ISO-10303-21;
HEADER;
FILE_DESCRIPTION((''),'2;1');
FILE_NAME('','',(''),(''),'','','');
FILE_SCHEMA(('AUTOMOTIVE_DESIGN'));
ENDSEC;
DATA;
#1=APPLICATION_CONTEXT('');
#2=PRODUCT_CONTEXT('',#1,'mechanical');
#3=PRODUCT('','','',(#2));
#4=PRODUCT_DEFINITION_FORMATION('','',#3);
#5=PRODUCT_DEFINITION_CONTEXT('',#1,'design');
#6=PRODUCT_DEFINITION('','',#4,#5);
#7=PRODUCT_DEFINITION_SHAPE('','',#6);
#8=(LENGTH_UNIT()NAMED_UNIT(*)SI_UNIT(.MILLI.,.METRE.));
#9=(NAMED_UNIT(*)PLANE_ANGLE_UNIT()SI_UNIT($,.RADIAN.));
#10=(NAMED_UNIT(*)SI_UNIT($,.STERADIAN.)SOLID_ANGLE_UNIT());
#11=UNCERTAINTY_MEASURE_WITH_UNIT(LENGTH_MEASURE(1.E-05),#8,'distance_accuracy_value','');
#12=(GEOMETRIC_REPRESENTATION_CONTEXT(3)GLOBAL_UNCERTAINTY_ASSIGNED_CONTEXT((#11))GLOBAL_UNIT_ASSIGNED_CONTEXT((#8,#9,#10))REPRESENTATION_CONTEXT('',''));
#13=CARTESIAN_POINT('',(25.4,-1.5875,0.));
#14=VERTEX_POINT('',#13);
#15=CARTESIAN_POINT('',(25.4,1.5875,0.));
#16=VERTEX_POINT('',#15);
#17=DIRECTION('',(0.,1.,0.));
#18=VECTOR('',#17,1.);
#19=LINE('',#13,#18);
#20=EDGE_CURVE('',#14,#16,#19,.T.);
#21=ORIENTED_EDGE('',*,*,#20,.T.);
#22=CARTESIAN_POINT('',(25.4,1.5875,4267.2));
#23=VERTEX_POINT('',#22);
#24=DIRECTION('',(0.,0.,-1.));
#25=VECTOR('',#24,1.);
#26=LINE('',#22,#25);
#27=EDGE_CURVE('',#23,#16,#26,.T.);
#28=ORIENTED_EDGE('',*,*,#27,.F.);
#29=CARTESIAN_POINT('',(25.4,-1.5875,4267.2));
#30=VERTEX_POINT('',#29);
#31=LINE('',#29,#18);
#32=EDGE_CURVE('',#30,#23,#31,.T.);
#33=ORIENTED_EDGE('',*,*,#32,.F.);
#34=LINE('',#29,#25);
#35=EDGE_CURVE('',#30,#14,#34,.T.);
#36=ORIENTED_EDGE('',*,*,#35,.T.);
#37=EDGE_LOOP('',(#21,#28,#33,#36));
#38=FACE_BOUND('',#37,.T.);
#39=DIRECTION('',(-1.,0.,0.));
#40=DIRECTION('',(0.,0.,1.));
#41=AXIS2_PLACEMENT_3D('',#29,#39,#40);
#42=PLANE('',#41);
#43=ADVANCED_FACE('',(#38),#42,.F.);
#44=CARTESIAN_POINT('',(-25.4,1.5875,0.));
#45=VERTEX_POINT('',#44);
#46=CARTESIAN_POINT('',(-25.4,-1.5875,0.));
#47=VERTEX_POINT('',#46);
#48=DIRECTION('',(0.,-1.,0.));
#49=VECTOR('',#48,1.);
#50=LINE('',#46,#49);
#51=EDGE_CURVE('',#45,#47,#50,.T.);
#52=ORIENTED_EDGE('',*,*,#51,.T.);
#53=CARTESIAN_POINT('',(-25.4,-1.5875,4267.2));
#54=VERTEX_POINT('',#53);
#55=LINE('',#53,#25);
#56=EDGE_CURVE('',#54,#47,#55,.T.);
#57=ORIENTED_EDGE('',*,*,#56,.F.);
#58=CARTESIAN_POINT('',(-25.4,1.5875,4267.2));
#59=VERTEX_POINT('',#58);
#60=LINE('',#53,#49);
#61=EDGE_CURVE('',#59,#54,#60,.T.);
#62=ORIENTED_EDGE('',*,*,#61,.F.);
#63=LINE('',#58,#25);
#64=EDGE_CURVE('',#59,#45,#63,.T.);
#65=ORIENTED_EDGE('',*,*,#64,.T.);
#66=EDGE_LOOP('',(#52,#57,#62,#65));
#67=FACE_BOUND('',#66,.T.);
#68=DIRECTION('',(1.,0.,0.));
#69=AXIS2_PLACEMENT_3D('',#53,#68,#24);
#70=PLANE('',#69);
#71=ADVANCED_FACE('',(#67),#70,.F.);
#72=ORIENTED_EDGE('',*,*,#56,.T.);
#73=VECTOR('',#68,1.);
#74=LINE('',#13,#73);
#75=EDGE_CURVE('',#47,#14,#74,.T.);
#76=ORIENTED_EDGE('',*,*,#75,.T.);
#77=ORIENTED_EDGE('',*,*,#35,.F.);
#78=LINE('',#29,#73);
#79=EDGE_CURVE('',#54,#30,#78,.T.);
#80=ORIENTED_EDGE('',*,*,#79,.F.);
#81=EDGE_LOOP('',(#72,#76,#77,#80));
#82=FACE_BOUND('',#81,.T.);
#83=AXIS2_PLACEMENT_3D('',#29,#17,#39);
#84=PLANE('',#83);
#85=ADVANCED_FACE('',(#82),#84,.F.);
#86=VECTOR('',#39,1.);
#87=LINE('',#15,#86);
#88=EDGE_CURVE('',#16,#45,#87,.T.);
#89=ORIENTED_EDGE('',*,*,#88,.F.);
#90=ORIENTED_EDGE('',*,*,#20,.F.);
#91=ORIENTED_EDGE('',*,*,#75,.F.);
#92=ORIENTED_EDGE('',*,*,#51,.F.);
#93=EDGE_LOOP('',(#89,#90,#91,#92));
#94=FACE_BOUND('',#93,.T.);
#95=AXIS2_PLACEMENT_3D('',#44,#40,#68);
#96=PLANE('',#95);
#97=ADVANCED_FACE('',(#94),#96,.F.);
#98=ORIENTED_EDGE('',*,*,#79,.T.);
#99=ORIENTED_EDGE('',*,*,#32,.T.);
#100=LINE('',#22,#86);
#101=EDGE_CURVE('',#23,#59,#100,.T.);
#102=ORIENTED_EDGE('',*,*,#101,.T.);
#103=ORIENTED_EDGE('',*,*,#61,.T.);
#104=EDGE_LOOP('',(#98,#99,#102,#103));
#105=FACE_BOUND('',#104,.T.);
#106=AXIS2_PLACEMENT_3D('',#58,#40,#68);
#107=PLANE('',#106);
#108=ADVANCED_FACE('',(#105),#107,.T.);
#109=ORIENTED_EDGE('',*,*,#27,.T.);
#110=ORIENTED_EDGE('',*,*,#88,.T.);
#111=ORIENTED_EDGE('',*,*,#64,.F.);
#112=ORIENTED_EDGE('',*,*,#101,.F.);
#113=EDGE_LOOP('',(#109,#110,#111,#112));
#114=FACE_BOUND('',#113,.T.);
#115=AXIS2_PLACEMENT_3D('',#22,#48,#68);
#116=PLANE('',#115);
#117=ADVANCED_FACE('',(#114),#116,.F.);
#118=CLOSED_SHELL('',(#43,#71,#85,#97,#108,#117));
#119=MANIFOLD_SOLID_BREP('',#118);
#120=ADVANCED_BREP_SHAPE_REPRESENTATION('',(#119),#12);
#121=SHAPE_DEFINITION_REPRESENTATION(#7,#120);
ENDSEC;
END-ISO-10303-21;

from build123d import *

# Parameters (mm, degrees)
SKETCH1_W      = 50.8
SKETCH1_H      = 3.175
EXTRUDE1_DEPTH = 4267.2


with BuildPart() as part:
    # Sketch1 → Extrude1 (new body)
    with BuildSketch(Plane.XY):
        Rectangle(SKETCH1_W, SKETCH1_H)
    extrude(amount=EXTRUDE1_DEPTH)


solid = part.part
